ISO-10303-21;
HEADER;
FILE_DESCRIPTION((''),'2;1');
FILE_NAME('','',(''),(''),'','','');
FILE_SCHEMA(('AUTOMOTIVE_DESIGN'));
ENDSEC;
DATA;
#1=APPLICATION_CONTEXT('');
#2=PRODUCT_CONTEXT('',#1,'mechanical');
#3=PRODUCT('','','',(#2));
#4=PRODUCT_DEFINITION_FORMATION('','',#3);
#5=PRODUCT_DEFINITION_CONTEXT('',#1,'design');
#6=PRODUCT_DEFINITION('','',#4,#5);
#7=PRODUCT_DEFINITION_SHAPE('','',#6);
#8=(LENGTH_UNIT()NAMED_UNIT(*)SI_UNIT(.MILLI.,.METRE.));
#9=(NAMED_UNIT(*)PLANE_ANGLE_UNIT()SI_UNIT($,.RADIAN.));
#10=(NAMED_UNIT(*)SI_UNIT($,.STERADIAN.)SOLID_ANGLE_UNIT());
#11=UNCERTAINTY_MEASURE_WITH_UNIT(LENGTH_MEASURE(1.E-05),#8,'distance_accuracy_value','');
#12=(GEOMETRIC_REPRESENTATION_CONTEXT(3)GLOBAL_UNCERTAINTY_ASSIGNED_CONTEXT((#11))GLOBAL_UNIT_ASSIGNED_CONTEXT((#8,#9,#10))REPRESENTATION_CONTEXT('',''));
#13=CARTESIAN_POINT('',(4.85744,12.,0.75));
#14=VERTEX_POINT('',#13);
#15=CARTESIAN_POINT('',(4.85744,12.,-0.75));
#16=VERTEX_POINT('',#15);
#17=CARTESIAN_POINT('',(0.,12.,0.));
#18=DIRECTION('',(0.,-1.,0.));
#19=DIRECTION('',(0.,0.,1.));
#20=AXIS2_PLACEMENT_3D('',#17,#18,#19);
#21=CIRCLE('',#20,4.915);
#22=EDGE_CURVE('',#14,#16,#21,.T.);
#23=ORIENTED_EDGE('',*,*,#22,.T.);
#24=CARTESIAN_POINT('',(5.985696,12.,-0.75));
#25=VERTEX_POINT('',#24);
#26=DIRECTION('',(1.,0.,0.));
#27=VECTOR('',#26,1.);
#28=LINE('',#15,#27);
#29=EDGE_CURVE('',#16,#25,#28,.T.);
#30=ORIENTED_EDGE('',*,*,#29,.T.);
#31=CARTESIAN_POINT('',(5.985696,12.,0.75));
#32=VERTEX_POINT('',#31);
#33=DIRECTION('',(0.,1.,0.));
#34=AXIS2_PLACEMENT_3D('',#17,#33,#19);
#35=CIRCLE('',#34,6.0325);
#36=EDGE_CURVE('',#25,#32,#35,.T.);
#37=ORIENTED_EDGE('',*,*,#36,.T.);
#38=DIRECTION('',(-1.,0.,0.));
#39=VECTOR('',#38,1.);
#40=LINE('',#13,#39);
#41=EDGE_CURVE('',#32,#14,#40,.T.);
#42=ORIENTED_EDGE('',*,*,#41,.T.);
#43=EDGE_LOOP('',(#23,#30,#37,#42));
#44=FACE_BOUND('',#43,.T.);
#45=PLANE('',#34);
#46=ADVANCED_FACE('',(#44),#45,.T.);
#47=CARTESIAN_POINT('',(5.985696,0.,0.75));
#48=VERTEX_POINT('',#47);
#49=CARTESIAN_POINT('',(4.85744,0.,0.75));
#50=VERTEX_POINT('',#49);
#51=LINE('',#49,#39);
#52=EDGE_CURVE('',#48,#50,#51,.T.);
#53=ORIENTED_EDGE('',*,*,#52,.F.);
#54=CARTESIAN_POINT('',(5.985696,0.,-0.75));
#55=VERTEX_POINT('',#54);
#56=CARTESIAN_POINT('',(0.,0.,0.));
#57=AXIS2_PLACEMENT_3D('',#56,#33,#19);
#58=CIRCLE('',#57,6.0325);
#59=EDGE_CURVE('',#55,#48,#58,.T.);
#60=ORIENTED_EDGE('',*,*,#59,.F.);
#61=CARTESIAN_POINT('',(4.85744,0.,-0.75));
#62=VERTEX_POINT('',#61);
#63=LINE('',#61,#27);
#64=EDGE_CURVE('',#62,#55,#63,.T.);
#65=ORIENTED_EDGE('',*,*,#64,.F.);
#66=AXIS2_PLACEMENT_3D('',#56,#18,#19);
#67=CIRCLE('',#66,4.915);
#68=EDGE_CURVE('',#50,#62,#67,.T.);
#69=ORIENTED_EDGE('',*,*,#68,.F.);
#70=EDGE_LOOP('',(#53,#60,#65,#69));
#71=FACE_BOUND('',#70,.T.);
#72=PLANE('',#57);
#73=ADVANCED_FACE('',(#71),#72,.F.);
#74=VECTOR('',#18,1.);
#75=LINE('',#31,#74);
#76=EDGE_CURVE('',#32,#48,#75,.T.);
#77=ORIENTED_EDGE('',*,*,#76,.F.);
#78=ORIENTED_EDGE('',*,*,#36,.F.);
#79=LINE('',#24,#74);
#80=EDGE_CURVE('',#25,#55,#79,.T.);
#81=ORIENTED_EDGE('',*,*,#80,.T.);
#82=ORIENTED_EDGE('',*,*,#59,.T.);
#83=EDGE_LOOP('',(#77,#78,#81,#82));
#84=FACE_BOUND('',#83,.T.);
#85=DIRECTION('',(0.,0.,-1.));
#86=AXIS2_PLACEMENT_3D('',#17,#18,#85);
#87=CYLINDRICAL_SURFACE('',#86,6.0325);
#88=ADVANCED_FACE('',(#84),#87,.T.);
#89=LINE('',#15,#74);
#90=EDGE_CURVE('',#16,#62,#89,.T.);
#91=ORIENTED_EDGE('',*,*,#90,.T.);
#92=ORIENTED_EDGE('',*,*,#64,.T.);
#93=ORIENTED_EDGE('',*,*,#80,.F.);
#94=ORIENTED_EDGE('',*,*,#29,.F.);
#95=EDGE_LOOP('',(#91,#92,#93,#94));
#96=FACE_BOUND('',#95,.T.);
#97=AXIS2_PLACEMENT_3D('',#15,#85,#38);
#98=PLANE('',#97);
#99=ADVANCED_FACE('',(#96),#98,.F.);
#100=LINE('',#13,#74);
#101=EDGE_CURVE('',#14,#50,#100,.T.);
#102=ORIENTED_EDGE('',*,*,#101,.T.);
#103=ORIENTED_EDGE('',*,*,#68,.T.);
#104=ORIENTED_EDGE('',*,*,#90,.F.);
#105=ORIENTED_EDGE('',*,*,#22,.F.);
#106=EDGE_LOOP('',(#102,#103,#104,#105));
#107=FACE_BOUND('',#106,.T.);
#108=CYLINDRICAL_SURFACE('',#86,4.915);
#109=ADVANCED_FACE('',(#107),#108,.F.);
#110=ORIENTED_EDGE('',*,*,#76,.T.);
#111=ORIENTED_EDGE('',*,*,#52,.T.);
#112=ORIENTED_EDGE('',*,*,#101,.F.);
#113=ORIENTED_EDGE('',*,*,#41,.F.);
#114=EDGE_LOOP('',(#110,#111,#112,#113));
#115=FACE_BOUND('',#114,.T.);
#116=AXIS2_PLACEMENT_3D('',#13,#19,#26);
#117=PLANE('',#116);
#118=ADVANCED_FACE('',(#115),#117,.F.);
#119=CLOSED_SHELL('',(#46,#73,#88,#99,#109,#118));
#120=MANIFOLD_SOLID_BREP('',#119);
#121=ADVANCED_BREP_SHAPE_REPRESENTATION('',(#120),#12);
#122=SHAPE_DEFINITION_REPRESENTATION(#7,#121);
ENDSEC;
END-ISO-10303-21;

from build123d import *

# Parameters (mm, degrees)
BOSS_EXTRUDE1_DEPTH = 12


with BuildPart() as part:
    # Sketch1 → Boss-Extrude1 (new body)
    with BuildSketch(Plane(origin=(0, 0, 0), x_dir=(1, 0, 0), z_dir=(0, 1, 0))):
        with BuildLine():
            Line((4.857440169, -0.75), (5.98569597, -0.75))
            ThreePointArc((5.98569597, -0.75), (-6.0325, 0), (5.98569597, 0.75))
            Line((5.98569597, 0.75), (4.857440169, 0.75))
            ThreePointArc((4.857440169, 0.75), (-4.915, 0), (4.857440169, -0.75))
        make_face()
    extrude(amount=BOSS_EXTRUDE1_DEPTH)


solid = part.part
